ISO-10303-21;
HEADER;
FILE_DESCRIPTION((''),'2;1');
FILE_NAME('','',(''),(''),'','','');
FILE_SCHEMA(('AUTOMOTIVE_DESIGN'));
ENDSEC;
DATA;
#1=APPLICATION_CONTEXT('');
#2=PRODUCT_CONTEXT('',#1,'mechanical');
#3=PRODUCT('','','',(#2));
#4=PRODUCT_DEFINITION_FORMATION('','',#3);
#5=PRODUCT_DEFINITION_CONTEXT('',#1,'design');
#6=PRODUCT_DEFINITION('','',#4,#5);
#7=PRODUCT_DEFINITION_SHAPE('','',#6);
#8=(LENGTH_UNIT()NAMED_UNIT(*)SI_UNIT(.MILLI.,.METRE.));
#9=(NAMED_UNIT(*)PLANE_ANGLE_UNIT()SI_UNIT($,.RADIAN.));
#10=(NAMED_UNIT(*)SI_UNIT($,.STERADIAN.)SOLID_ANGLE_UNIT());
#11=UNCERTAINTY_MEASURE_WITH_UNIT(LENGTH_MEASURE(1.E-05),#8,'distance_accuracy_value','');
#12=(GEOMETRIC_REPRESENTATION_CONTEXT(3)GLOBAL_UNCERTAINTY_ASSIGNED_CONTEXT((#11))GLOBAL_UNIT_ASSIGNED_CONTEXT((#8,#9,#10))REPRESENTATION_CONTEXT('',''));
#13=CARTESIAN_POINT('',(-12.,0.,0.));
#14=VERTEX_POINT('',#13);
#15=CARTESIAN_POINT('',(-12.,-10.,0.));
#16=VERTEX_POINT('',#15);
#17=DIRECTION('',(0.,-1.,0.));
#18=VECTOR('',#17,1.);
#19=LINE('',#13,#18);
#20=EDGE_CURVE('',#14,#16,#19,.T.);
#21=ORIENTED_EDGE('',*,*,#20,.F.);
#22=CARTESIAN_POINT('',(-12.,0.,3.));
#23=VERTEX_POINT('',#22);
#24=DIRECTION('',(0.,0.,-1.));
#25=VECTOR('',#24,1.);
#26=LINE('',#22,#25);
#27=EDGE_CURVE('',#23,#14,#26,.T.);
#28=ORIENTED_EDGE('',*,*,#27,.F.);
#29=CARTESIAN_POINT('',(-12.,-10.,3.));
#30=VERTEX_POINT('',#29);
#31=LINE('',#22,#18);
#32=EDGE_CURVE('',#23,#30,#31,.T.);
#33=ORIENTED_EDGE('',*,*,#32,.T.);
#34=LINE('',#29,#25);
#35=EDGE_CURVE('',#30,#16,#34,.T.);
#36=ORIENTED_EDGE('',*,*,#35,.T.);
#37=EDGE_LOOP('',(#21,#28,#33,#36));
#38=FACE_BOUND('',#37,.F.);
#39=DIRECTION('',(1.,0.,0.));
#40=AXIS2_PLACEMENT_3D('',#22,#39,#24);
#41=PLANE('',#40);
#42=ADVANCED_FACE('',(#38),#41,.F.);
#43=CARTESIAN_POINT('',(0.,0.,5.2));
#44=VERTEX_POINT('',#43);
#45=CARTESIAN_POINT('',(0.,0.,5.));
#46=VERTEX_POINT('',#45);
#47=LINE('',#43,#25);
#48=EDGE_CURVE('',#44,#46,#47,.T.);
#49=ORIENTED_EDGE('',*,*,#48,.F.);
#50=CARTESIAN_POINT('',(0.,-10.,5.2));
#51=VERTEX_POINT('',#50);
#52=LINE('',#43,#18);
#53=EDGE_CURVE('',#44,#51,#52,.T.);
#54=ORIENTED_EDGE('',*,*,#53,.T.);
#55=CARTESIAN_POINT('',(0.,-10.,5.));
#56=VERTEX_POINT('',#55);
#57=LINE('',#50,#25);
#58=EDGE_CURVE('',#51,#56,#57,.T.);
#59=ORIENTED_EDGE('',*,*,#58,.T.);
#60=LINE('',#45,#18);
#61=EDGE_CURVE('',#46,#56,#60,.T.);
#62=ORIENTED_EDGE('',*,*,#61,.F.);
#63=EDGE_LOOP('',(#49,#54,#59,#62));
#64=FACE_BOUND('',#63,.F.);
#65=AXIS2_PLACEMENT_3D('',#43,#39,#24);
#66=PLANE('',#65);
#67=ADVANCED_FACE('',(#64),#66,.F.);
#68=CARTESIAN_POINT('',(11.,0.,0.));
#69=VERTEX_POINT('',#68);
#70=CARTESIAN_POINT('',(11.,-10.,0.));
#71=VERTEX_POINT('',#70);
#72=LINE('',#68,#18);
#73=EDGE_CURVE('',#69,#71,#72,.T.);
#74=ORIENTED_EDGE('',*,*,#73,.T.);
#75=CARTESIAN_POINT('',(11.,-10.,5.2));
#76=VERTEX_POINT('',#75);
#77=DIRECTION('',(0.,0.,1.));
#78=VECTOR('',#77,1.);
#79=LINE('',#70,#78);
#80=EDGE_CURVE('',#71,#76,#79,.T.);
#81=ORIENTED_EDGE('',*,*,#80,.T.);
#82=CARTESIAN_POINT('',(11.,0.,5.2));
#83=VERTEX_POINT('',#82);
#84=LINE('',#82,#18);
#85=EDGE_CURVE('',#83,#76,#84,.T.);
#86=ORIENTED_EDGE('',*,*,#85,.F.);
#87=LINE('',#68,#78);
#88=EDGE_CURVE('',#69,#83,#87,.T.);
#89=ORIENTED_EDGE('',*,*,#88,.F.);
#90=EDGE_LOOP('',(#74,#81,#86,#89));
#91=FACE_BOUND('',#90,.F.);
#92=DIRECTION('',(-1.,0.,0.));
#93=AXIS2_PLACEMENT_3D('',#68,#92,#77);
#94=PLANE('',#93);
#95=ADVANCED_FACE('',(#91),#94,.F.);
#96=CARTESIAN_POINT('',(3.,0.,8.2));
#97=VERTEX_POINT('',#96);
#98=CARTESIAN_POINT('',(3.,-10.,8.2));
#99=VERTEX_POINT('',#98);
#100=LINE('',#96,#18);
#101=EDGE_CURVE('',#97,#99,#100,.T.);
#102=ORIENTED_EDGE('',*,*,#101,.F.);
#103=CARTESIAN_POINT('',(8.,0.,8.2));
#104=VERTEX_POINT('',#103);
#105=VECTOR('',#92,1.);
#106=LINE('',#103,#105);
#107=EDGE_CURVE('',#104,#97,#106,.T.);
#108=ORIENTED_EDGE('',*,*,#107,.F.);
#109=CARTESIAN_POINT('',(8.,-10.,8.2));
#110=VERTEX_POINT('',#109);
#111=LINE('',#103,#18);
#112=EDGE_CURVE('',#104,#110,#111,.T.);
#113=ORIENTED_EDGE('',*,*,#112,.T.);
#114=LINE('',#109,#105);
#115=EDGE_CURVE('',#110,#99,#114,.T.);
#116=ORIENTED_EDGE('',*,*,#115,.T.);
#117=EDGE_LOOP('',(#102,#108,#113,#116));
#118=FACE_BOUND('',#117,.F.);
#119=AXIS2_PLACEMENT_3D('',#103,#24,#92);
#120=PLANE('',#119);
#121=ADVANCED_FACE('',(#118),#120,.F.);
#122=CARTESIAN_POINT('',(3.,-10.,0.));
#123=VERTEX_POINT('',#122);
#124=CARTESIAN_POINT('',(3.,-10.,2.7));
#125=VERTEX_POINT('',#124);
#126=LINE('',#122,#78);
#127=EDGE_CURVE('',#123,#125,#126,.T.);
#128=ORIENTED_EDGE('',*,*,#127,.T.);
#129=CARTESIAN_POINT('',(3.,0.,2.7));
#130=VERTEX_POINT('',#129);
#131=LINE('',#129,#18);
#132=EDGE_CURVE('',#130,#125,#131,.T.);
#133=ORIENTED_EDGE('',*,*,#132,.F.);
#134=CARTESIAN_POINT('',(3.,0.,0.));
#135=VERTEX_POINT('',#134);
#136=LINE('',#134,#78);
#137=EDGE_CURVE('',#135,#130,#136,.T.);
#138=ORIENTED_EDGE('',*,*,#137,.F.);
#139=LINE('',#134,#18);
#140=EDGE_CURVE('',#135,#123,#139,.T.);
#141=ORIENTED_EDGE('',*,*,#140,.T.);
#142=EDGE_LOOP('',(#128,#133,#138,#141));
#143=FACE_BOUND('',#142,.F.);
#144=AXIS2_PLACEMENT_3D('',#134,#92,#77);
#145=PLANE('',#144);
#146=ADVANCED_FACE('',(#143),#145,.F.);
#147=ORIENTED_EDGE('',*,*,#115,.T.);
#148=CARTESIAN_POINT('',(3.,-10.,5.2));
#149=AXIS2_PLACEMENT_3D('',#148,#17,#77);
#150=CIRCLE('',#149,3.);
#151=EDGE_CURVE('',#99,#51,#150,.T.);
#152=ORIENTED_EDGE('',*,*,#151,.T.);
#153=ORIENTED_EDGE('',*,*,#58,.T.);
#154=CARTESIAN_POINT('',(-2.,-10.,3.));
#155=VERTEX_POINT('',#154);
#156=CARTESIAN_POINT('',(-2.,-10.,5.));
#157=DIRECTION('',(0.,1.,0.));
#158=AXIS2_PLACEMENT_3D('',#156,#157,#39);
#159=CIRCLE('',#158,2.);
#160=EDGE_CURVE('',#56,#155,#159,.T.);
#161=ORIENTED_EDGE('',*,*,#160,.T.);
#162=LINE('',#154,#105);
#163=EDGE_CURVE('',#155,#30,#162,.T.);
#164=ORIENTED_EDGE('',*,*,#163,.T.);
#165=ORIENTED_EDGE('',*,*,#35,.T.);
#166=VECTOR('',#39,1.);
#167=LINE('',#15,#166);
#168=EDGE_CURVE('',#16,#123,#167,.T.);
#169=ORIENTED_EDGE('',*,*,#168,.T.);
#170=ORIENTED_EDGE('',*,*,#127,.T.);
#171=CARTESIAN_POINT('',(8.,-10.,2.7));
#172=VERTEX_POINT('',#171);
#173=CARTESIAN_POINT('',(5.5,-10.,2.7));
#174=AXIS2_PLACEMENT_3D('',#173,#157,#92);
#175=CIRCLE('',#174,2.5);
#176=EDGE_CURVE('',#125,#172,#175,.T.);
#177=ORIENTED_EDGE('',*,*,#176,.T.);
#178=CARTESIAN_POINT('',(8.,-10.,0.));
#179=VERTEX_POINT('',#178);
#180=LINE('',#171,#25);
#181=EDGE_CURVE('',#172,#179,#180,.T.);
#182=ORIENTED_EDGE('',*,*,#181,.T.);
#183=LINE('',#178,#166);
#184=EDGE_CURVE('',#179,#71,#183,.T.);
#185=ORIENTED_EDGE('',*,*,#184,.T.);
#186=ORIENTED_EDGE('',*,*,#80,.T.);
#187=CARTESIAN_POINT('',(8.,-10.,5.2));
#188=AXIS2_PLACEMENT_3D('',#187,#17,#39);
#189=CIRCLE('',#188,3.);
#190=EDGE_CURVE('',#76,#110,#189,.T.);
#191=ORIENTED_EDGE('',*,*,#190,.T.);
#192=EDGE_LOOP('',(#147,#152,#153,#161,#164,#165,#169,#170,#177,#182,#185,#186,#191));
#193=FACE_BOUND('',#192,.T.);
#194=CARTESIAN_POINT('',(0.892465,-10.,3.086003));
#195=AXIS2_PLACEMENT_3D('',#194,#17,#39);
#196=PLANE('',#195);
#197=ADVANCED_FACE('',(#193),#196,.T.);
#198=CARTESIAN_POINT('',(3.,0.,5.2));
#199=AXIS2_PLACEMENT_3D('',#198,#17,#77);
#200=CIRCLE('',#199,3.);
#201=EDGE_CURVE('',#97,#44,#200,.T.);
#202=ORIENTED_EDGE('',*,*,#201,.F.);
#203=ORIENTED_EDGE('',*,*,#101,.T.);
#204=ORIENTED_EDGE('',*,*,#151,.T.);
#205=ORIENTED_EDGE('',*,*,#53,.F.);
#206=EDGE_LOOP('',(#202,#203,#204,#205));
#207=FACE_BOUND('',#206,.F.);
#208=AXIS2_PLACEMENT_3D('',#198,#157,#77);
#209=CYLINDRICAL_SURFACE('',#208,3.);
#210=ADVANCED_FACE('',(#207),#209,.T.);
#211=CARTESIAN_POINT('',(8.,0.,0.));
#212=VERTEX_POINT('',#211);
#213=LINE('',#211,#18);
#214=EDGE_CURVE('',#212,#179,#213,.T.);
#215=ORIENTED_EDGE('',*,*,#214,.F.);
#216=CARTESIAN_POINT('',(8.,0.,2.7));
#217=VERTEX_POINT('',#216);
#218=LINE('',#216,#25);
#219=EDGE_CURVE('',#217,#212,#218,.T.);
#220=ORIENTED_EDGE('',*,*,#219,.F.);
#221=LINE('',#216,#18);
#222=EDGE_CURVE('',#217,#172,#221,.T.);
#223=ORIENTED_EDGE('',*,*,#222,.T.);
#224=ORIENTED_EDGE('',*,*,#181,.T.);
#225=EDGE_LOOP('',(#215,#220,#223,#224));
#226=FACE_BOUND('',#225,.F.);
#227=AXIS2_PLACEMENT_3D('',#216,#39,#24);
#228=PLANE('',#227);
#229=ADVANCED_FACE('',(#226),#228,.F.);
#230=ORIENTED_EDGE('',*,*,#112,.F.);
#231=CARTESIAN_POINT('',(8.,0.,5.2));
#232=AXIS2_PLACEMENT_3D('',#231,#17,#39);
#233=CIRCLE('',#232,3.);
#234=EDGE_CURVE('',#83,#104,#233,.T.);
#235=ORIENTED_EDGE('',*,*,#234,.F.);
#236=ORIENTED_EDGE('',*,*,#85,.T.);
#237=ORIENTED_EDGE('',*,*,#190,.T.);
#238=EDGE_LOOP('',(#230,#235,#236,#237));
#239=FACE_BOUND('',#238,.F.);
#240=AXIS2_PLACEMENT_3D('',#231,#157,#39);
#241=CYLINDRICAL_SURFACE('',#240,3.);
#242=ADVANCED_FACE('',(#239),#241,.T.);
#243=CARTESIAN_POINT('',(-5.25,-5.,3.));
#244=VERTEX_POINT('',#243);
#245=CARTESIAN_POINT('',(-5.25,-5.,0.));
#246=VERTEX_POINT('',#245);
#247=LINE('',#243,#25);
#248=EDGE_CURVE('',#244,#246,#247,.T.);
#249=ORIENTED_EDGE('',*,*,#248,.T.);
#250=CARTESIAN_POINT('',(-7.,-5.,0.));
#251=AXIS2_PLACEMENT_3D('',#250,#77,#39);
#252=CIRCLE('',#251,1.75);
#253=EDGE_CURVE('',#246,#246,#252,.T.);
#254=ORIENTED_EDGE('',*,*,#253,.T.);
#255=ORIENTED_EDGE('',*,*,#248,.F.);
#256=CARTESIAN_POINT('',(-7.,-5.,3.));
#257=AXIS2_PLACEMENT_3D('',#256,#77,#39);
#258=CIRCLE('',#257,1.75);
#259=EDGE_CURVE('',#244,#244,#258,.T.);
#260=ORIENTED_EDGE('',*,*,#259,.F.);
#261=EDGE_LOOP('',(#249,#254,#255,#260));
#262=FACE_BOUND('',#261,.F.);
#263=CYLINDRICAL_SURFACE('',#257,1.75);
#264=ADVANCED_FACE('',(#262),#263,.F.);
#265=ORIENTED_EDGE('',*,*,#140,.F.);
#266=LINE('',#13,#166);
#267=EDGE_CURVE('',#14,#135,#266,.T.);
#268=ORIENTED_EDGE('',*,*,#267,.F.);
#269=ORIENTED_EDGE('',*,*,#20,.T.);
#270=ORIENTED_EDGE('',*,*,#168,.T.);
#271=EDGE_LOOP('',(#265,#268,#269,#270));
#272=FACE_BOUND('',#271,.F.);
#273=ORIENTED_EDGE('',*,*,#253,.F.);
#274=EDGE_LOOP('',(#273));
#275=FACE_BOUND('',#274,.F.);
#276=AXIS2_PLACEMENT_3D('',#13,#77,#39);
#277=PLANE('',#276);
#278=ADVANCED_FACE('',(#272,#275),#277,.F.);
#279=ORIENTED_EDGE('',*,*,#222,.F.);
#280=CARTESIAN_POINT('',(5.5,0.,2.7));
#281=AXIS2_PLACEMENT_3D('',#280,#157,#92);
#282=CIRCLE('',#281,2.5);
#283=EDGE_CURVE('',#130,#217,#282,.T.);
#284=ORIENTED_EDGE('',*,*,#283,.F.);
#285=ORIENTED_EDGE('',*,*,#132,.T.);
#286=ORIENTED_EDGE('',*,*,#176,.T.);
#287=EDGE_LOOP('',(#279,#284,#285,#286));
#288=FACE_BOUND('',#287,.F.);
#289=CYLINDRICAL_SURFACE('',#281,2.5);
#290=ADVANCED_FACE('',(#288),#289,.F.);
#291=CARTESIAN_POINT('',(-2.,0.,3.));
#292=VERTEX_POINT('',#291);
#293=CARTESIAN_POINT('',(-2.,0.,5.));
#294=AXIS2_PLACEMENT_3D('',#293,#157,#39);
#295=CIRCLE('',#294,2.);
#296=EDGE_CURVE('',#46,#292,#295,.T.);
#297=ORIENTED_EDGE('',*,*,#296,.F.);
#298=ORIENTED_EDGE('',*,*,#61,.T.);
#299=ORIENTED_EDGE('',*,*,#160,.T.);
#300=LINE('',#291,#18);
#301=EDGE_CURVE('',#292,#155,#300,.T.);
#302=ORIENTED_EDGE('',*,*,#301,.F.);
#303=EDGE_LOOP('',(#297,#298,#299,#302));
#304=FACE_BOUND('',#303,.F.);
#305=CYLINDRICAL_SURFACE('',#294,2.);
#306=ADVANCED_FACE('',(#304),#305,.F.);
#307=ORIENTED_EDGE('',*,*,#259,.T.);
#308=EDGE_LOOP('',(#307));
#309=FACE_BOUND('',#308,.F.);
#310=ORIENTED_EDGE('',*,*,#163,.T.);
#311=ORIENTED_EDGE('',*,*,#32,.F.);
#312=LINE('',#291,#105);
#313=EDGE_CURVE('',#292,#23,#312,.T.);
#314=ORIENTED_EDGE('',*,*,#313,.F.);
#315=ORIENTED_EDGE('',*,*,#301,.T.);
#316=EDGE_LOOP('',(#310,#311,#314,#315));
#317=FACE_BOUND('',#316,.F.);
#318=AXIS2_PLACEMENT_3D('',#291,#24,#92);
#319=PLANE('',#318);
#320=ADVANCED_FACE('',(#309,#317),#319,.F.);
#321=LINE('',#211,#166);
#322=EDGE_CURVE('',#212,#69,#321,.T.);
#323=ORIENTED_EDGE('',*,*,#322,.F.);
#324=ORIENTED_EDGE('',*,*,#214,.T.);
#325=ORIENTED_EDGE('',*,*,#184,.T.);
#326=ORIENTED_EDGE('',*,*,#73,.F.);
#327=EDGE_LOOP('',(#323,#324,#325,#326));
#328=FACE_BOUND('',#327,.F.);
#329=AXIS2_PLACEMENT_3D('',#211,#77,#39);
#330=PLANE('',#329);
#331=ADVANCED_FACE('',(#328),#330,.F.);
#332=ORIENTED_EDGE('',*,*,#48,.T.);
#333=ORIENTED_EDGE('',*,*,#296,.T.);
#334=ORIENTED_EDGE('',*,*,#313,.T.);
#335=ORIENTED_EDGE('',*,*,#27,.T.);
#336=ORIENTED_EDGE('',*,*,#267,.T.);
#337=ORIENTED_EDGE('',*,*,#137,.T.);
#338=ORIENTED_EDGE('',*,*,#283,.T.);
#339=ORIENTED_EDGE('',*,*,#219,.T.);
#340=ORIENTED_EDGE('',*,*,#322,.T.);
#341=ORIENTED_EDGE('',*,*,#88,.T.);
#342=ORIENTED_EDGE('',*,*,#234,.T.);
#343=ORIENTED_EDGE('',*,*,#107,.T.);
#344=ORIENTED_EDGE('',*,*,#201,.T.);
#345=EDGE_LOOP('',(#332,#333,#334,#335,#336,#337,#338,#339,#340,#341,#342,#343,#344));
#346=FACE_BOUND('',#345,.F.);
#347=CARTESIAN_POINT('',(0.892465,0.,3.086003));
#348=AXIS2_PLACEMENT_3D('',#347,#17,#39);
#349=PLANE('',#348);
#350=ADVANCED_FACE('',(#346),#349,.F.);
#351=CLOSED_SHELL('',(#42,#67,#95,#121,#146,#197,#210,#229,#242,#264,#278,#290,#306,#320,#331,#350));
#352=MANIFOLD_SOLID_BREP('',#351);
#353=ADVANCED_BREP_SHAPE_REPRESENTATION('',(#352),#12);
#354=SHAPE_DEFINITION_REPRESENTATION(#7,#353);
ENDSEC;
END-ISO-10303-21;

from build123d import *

# Parameters (mm, degrees)
F1_DEPTH = 10
F3_R     = 1.75
F4_DEPTH = 3.001


with BuildPart() as f1:
    # F0 (on Front) → F1 (new body)
    with BuildSketch(Plane.XZ):
        with BuildLine():
            Line((-12, 0), (0, 0))
            Line((0, 0), (3, 0))
            Line((3, 0), (3, 2.7))
            ThreePointArc((3, 2.7), (5.5, 5.2), (8, 2.7))
            Line((8, 2.7), (8, 0))
            Line((8, 0), (11, 0))
            Line((11, 0), (11, 5.2))
            ThreePointArc((11, 5.2), (10.1213203436, 7.3213203436), (8, 8.2))
            Line((8, 8.2), (3, 8.2))
            ThreePointArc((3, 8.2), (0.8786796564, 7.3213203436), (0, 5.2))
            Line((0, 5.2), (0, 5))
            ThreePointArc((0, 5), (-0.5857864376, 3.5857864376), (-2, 3))
            Line((-2, 3), (-12, 3))
            Line((-12, 3), (-12, 0))
        make_face()
    extrude(amount=F1_DEPTH)

    # F3 (on offset) → F4 (cut, through all)
    with BuildSketch(Plane.XY.offset(3)):
        with Locations((-7, -5)):
            Circle(F3_R)
    extrude(amount=-F4_DEPTH, mode=Mode.SUBTRACT)


solid = f1.part
